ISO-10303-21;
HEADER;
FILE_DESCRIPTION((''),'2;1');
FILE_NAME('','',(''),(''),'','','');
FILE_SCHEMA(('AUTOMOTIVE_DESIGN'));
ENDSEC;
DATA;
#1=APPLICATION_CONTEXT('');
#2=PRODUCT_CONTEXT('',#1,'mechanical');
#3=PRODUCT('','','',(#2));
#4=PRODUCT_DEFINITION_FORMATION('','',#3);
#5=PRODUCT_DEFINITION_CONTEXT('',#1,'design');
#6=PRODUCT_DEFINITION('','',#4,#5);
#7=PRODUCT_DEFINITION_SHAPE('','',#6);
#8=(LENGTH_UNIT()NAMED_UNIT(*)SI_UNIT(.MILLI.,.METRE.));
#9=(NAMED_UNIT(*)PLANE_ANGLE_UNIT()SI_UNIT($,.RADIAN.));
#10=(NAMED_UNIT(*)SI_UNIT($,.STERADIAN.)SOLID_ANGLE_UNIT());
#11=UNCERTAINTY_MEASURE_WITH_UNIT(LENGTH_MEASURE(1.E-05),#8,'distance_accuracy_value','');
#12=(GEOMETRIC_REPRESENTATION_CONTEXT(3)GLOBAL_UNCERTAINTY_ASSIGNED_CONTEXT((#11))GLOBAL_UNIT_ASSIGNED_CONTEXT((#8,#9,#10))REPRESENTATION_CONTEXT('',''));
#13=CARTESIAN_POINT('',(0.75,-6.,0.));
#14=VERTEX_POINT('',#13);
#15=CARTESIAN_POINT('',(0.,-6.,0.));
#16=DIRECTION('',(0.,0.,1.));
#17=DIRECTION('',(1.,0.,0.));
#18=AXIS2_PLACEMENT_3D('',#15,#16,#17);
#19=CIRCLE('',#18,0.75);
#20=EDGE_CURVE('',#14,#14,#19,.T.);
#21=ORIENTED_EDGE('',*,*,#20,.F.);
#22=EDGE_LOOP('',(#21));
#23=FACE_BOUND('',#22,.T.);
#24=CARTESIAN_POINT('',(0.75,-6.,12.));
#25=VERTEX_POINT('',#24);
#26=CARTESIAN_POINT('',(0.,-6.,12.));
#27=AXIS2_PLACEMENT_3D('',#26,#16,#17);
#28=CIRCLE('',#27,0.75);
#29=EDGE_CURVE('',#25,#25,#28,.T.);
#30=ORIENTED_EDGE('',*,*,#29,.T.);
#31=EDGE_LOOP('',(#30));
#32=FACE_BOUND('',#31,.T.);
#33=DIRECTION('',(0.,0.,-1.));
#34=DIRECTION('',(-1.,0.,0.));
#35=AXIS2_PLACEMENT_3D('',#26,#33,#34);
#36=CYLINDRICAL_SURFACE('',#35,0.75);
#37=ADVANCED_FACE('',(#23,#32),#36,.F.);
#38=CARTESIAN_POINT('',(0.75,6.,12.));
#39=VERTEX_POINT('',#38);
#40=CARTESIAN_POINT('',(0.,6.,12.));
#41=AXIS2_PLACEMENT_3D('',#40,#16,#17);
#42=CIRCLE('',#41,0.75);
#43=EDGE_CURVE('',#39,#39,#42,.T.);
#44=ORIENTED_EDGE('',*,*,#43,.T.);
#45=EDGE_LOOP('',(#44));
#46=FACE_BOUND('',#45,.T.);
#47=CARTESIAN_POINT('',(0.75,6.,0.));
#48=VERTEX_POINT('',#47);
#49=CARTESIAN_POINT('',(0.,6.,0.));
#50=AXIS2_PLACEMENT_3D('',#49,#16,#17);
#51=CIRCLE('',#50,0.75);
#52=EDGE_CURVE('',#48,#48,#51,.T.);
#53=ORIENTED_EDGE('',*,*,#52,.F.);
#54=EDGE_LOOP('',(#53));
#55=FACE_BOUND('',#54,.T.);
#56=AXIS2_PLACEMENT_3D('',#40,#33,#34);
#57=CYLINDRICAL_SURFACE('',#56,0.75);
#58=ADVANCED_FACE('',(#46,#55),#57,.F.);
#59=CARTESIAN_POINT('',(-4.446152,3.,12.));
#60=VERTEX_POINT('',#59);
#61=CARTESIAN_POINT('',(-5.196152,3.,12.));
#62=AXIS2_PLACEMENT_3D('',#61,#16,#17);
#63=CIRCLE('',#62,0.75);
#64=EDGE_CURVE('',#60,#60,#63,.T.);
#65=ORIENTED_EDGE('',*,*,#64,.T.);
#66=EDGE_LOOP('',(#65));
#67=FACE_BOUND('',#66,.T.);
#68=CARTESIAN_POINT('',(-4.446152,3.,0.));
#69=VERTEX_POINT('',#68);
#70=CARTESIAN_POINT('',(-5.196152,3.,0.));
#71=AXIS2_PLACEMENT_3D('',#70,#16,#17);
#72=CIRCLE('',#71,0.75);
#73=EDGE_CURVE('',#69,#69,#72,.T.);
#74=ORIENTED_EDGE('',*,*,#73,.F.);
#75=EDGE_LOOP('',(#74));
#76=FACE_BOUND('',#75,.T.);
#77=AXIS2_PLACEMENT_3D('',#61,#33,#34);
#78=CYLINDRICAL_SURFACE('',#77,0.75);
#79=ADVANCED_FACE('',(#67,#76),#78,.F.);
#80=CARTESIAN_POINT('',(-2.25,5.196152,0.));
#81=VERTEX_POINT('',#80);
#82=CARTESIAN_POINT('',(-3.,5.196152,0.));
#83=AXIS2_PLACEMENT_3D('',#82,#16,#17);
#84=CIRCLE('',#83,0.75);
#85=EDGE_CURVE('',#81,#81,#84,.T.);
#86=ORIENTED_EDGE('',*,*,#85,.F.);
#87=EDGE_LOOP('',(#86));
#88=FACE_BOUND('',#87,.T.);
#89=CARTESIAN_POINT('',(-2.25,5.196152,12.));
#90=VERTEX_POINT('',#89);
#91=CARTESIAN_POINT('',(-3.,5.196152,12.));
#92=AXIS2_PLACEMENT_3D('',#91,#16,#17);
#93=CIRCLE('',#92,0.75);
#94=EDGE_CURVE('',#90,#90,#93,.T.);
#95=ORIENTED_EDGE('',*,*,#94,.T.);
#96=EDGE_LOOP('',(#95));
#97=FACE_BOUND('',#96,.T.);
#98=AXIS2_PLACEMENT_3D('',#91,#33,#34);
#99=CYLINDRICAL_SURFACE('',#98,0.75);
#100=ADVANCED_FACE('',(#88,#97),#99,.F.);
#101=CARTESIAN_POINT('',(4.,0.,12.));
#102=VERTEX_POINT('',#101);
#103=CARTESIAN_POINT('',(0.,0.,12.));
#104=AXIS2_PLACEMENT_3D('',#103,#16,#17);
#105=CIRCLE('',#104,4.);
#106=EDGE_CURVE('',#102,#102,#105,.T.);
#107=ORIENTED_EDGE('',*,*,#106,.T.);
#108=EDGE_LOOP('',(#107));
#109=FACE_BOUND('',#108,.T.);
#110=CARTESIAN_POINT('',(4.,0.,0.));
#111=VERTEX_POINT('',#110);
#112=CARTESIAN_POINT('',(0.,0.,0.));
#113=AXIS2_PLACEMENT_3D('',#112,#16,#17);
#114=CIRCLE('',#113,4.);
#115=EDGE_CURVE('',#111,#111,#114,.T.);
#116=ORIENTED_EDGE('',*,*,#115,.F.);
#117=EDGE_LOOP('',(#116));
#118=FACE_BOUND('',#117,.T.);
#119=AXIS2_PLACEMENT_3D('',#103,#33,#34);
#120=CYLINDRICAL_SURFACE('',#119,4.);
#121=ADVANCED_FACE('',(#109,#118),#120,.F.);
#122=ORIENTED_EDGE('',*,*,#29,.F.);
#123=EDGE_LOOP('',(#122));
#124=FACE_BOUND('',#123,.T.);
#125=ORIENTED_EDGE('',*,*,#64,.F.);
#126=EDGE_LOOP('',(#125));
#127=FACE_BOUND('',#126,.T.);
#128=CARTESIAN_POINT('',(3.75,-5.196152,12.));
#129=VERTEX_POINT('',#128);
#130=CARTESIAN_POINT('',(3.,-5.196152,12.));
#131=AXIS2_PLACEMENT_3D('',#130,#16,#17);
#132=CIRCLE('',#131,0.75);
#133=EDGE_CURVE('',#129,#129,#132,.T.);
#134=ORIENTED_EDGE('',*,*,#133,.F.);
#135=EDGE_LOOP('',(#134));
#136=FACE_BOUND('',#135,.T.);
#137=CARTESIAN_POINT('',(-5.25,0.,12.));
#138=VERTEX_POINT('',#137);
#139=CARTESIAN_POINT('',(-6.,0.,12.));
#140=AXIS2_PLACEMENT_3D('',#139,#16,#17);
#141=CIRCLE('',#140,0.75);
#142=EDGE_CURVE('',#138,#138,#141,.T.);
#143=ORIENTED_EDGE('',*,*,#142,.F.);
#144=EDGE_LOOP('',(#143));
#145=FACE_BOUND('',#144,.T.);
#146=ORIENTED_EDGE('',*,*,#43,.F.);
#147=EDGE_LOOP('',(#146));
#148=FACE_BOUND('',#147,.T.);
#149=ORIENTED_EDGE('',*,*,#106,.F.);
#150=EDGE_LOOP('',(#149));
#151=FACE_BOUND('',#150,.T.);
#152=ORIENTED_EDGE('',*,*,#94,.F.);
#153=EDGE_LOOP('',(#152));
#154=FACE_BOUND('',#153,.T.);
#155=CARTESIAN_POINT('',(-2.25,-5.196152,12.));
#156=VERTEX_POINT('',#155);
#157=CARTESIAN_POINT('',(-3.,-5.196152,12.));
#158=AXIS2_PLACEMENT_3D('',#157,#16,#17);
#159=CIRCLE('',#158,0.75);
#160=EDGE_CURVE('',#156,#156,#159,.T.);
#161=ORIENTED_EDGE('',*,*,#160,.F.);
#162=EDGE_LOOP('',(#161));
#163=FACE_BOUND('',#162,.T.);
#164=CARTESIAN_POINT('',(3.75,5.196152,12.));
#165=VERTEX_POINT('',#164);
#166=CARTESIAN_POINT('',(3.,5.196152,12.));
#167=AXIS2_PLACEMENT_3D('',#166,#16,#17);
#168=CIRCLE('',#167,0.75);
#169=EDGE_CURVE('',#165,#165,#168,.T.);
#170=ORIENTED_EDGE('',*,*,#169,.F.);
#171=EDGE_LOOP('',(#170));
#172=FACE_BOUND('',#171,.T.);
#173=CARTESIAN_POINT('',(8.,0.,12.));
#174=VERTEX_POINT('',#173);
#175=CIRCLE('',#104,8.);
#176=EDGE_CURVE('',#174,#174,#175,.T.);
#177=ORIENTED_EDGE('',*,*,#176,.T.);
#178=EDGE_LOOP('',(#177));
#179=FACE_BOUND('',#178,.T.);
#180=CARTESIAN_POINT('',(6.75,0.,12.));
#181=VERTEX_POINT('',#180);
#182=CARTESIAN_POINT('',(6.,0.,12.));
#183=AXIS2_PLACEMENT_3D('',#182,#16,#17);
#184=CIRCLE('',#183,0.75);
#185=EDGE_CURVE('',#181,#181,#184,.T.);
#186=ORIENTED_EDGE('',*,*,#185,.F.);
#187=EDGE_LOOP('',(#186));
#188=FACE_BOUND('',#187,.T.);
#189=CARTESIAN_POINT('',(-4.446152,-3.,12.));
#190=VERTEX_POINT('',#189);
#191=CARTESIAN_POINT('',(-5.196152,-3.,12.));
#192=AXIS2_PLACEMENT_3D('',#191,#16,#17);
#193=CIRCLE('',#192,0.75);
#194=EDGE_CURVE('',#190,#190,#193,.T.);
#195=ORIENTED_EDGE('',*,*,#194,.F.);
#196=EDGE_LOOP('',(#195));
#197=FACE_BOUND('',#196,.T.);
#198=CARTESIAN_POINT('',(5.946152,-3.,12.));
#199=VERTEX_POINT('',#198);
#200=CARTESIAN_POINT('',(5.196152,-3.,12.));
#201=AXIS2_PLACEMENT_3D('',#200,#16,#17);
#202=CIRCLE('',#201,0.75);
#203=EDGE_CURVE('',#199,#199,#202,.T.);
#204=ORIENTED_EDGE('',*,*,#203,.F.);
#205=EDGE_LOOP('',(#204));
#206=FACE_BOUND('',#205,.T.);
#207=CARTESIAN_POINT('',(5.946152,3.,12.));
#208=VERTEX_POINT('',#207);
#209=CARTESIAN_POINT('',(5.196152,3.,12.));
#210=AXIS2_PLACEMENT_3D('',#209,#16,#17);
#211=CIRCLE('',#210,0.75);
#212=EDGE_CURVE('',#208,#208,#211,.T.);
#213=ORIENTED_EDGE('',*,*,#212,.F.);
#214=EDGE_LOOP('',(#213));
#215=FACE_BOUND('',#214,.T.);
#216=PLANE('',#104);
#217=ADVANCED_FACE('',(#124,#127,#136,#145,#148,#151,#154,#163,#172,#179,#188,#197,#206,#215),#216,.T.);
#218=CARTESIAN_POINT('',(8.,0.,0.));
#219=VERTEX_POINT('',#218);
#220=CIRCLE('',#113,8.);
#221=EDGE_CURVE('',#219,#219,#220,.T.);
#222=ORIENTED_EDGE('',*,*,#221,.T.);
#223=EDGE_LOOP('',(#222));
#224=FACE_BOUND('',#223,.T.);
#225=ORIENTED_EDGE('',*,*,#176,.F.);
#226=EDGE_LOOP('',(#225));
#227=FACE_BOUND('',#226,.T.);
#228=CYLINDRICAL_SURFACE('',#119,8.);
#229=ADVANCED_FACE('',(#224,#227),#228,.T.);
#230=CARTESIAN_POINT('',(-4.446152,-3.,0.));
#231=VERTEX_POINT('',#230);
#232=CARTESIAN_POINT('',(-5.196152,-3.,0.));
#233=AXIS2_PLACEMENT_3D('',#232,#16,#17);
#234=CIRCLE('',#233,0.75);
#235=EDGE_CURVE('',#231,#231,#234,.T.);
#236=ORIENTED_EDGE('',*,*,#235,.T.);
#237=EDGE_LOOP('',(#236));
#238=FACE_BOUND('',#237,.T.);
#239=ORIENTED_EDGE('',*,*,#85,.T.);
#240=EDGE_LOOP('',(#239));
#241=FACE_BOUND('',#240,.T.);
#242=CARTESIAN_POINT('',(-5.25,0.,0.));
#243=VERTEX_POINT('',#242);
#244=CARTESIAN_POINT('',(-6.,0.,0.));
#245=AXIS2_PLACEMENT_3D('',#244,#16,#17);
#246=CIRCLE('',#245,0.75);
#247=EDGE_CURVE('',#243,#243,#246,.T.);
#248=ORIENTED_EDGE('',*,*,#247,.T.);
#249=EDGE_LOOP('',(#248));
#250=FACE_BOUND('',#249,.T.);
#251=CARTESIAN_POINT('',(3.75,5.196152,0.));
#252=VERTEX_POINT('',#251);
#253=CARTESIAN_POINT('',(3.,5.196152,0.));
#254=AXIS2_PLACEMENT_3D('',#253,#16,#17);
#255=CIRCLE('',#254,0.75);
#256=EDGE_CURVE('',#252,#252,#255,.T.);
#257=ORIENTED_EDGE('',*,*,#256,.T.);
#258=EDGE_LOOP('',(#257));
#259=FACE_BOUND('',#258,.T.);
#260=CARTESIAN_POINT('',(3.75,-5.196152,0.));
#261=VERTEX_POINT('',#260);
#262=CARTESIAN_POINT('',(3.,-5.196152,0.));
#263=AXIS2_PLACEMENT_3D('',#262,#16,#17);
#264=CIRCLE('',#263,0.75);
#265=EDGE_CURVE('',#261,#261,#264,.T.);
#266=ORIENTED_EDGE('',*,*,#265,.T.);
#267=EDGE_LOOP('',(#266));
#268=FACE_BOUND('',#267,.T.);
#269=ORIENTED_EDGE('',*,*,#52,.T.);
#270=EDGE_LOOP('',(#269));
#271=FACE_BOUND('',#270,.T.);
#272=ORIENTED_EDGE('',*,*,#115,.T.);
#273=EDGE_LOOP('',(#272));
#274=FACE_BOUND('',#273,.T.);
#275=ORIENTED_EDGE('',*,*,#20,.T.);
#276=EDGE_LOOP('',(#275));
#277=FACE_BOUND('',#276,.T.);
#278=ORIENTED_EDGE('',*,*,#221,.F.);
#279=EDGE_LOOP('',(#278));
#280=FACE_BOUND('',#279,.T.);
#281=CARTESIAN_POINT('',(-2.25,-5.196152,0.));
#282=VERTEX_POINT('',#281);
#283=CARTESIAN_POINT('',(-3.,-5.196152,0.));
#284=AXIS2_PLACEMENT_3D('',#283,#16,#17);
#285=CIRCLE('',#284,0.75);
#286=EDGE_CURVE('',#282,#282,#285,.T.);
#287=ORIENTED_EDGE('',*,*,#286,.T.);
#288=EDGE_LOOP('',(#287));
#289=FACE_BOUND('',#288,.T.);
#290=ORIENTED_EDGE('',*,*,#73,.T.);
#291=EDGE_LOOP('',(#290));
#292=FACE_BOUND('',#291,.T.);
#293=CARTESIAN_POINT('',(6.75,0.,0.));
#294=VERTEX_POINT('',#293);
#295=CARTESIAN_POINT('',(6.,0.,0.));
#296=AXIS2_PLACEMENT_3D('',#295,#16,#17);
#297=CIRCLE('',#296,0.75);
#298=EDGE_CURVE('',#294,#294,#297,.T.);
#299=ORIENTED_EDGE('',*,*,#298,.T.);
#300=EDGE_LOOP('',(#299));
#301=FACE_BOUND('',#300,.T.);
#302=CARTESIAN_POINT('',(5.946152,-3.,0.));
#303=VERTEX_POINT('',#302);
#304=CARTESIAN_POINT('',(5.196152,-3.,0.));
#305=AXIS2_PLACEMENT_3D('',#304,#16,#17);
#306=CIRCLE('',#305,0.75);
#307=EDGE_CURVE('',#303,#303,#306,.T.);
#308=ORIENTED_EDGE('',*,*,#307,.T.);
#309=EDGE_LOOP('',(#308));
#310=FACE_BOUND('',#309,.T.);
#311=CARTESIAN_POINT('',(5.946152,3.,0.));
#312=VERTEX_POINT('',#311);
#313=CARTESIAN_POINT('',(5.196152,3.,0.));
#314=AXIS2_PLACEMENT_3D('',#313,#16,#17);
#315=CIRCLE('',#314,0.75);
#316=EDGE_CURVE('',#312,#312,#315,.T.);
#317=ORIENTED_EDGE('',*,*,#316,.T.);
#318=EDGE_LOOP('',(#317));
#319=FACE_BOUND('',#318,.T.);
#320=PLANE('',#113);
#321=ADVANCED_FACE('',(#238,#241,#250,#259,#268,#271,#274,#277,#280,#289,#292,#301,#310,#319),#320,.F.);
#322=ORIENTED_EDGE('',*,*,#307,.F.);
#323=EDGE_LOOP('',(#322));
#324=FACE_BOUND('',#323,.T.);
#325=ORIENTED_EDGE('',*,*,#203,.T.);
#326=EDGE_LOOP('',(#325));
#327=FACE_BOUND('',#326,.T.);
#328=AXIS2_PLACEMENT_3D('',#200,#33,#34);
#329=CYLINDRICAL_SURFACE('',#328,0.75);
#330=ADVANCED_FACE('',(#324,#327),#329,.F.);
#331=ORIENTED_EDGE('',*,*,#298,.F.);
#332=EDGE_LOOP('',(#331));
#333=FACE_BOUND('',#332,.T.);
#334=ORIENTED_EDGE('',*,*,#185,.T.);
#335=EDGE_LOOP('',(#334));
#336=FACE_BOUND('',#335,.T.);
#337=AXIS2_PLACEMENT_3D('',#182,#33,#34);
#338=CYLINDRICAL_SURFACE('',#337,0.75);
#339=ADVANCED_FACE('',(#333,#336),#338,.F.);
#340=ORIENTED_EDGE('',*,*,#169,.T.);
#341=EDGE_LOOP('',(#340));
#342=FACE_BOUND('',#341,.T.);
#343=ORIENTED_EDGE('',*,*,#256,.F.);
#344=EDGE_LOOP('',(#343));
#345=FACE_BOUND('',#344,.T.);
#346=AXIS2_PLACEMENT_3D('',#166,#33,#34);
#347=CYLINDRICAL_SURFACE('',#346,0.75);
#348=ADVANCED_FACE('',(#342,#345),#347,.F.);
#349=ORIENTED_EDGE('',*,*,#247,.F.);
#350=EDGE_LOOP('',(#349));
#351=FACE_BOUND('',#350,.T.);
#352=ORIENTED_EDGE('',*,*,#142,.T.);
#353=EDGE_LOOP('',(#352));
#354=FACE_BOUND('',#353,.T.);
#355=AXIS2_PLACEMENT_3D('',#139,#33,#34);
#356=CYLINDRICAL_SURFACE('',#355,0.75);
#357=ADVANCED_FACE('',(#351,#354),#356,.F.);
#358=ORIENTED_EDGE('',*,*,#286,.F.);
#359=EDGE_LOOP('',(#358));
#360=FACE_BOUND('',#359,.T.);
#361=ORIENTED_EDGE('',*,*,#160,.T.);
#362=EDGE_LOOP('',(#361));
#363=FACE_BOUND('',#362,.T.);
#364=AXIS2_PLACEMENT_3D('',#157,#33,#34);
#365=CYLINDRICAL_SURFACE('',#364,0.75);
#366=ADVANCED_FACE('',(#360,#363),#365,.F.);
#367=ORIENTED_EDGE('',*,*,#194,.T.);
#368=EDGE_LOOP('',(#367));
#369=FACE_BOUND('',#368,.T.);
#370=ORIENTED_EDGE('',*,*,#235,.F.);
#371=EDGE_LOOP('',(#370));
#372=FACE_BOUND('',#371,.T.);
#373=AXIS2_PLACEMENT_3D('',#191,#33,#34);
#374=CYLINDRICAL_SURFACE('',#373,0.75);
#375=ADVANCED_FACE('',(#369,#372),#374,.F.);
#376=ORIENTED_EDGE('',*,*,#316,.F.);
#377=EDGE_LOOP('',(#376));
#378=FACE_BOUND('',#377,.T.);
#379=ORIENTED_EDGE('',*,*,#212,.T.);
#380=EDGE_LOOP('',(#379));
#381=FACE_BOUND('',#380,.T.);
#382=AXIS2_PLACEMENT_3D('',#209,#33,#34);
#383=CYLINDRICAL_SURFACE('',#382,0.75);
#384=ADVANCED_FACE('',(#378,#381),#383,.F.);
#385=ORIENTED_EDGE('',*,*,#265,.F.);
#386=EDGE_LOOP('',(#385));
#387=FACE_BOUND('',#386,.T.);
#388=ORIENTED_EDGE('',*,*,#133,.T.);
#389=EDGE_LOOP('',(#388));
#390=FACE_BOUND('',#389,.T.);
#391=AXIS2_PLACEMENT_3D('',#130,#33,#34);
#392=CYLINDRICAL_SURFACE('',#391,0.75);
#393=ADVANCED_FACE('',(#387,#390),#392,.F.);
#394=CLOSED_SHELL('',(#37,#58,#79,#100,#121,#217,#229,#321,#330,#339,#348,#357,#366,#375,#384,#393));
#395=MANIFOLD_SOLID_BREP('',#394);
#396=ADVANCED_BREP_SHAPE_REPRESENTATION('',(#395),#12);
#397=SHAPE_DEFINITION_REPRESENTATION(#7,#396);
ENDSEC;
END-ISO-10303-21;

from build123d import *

# Parameters (mm, degrees)
SKETCH_1_R      = 8
SKETCH_1_R_2    = 0.75
SKETCH_1_R_3    = 4
EXTRUDE_1_DEPTH = 12


with BuildPart() as part:
    # 草图1 → 凸台-拉伸1 (new body)
    with BuildSketch(Plane.XY):
        Circle(SKETCH_1_R)
        with Locations((6, 0)):
            Circle(SKETCH_1_R_2, mode=Mode.SUBTRACT)
        with Locations((5.196152423, -3)):
            Circle(SKETCH_1_R_2, mode=Mode.SUBTRACT)
        with Locations((3, -5.196152423)):
            Circle(SKETCH_1_R_2, mode=Mode.SUBTRACT)
        with Locations((0, -6)):
            Circle(SKETCH_1_R_2, mode=Mode.SUBTRACT)
        with Locations((-3, -5.196152423)):
            Circle(SKETCH_1_R_2, mode=Mode.SUBTRACT)
        with Locations((-5.196152423, -3)):
            Circle(SKETCH_1_R_2, mode=Mode.SUBTRACT)
        with Locations((-6, 0)):
            Circle(SKETCH_1_R_2, mode=Mode.SUBTRACT)
        with Locations((-5.196152423, 3)):
            Circle(SKETCH_1_R_2, mode=Mode.SUBTRACT)
        with Locations((-3, 5.196152423)):
            Circle(SKETCH_1_R_2, mode=Mode.SUBTRACT)
        with Locations((0, 6)):
            Circle(SKETCH_1_R_2, mode=Mode.SUBTRACT)
        with Locations((3, 5.196152423)):
            Circle(SKETCH_1_R_2, mode=Mode.SUBTRACT)
        with Locations((5.196152423, 3)):
            Circle(SKETCH_1_R_2, mode=Mode.SUBTRACT)
        Circle(SKETCH_1_R_3, mode=Mode.SUBTRACT)
    extrude(amount=EXTRUDE_1_DEPTH)


solid = part.part
